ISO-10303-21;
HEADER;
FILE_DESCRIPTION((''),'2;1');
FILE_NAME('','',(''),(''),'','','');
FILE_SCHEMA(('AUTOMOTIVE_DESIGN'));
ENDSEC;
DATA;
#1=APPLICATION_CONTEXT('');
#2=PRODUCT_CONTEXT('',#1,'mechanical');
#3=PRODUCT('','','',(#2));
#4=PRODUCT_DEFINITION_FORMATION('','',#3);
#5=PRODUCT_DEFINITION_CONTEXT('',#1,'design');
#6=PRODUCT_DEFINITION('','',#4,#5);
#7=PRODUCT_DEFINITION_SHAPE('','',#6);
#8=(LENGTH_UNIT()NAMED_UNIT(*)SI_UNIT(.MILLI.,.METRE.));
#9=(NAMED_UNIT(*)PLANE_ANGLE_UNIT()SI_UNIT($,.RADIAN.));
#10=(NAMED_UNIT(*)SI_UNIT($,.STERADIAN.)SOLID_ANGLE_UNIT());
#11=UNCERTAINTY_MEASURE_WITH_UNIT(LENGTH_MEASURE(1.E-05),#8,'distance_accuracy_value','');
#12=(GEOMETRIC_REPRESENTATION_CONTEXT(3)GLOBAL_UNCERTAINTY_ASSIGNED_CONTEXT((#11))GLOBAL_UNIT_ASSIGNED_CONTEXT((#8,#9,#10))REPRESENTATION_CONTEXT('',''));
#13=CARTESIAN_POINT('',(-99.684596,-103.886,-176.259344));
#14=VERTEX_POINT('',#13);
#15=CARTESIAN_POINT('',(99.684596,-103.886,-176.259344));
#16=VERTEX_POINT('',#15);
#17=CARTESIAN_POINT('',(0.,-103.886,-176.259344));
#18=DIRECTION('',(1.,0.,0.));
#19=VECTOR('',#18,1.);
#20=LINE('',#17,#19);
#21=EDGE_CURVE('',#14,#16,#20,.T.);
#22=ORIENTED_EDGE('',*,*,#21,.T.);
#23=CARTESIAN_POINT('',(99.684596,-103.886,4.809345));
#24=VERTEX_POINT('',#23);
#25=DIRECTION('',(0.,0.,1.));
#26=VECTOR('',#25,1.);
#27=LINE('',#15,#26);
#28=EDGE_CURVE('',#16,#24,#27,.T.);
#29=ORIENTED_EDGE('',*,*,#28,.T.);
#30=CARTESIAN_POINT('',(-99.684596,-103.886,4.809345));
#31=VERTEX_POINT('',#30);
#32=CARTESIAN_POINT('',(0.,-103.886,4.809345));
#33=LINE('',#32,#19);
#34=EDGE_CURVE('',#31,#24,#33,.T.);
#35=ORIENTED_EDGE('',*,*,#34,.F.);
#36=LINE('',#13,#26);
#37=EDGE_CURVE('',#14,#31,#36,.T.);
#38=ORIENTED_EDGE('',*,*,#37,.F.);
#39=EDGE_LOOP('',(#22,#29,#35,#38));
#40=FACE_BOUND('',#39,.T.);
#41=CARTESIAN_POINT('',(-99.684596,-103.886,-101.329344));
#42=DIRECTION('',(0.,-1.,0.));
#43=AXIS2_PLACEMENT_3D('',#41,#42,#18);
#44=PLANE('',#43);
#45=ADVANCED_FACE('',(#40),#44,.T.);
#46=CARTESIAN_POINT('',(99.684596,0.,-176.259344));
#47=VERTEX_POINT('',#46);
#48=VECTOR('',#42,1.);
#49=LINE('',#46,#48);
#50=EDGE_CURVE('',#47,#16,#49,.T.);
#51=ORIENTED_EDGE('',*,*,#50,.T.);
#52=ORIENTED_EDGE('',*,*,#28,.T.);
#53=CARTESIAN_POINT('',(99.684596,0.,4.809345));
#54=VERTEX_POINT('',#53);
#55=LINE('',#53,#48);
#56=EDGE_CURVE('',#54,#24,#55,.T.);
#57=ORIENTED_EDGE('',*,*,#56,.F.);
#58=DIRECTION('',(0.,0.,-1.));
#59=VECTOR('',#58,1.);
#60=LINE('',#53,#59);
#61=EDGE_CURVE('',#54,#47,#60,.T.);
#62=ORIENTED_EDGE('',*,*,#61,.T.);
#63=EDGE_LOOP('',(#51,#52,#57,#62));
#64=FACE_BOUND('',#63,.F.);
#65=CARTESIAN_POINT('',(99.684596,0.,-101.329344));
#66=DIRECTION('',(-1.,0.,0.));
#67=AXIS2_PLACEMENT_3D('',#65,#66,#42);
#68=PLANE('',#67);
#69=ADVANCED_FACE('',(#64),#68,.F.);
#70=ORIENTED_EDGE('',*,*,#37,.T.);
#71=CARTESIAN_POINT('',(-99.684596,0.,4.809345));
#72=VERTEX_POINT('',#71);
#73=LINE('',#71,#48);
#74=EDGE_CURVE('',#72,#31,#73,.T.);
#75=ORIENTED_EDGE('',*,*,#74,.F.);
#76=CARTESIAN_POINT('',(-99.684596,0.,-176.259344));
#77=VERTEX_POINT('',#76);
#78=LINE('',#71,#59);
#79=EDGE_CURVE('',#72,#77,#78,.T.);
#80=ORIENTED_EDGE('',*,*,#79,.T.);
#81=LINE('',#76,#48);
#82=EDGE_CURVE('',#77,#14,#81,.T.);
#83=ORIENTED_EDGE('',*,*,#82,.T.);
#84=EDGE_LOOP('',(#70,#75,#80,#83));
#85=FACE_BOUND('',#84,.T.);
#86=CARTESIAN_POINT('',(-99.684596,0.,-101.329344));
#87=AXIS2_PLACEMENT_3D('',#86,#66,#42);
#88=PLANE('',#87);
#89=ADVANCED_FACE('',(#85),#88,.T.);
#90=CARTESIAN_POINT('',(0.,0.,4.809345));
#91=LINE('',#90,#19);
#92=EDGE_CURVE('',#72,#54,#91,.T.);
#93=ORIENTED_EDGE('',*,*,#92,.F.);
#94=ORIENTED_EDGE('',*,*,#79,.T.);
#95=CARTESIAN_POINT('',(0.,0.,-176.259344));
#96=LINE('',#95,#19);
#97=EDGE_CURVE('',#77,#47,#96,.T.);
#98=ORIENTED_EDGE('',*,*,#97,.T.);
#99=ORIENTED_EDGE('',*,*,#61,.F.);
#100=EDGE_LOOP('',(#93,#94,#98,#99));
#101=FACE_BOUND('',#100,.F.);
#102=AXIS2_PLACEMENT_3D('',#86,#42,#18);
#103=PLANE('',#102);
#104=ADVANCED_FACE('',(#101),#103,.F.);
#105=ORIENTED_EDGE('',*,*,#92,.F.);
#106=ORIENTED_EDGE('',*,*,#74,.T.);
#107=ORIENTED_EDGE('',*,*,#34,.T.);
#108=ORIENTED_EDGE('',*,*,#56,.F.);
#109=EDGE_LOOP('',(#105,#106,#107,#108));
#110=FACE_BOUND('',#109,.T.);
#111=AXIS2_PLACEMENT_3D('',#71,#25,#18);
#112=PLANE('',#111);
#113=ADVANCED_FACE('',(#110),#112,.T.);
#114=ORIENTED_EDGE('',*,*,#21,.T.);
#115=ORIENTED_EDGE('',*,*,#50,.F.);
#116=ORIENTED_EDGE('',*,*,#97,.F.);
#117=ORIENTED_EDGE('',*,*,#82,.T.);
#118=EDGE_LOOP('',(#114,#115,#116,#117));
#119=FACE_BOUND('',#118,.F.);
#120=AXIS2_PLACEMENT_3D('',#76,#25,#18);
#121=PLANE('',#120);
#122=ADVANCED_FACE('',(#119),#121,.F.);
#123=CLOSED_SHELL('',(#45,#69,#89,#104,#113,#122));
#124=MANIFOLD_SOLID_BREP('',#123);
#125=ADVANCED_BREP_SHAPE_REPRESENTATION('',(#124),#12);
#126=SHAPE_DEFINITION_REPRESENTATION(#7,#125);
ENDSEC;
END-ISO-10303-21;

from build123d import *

# Parameters (mm, degrees)
F0_W     = 199.3691921234
F0_H     = 80.7386883534
F1_DEPTH = 103.886
F2_DEPTH = 25.4
F4_DEPTH = 74.93


with BuildPart() as f1:
    # F0 (on Front) → F1 (new body)
    with BuildSketch(Plane.XZ):
        with Locations((0, -35.5599995237)):
            Rectangle(F0_W, F0_H)
    extrude(amount=F1_DEPTH)

    # F2 (add): a face of the model
    f2_faces = [f1.faces().sort_by_distance(p)[0] for p in [
        (0, -51.943, -75.9293437004),
    ]]
    extrude(f2_faces, amount=F2_DEPTH)

    # F4 (add): a face of the model
    f4_faces = [f1.faces().sort_by_distance(p)[0] for p in [
        (0, -51.943, -101.3293437004),
    ]]
    extrude(f4_faces, amount=F4_DEPTH)


solid = f1.part
